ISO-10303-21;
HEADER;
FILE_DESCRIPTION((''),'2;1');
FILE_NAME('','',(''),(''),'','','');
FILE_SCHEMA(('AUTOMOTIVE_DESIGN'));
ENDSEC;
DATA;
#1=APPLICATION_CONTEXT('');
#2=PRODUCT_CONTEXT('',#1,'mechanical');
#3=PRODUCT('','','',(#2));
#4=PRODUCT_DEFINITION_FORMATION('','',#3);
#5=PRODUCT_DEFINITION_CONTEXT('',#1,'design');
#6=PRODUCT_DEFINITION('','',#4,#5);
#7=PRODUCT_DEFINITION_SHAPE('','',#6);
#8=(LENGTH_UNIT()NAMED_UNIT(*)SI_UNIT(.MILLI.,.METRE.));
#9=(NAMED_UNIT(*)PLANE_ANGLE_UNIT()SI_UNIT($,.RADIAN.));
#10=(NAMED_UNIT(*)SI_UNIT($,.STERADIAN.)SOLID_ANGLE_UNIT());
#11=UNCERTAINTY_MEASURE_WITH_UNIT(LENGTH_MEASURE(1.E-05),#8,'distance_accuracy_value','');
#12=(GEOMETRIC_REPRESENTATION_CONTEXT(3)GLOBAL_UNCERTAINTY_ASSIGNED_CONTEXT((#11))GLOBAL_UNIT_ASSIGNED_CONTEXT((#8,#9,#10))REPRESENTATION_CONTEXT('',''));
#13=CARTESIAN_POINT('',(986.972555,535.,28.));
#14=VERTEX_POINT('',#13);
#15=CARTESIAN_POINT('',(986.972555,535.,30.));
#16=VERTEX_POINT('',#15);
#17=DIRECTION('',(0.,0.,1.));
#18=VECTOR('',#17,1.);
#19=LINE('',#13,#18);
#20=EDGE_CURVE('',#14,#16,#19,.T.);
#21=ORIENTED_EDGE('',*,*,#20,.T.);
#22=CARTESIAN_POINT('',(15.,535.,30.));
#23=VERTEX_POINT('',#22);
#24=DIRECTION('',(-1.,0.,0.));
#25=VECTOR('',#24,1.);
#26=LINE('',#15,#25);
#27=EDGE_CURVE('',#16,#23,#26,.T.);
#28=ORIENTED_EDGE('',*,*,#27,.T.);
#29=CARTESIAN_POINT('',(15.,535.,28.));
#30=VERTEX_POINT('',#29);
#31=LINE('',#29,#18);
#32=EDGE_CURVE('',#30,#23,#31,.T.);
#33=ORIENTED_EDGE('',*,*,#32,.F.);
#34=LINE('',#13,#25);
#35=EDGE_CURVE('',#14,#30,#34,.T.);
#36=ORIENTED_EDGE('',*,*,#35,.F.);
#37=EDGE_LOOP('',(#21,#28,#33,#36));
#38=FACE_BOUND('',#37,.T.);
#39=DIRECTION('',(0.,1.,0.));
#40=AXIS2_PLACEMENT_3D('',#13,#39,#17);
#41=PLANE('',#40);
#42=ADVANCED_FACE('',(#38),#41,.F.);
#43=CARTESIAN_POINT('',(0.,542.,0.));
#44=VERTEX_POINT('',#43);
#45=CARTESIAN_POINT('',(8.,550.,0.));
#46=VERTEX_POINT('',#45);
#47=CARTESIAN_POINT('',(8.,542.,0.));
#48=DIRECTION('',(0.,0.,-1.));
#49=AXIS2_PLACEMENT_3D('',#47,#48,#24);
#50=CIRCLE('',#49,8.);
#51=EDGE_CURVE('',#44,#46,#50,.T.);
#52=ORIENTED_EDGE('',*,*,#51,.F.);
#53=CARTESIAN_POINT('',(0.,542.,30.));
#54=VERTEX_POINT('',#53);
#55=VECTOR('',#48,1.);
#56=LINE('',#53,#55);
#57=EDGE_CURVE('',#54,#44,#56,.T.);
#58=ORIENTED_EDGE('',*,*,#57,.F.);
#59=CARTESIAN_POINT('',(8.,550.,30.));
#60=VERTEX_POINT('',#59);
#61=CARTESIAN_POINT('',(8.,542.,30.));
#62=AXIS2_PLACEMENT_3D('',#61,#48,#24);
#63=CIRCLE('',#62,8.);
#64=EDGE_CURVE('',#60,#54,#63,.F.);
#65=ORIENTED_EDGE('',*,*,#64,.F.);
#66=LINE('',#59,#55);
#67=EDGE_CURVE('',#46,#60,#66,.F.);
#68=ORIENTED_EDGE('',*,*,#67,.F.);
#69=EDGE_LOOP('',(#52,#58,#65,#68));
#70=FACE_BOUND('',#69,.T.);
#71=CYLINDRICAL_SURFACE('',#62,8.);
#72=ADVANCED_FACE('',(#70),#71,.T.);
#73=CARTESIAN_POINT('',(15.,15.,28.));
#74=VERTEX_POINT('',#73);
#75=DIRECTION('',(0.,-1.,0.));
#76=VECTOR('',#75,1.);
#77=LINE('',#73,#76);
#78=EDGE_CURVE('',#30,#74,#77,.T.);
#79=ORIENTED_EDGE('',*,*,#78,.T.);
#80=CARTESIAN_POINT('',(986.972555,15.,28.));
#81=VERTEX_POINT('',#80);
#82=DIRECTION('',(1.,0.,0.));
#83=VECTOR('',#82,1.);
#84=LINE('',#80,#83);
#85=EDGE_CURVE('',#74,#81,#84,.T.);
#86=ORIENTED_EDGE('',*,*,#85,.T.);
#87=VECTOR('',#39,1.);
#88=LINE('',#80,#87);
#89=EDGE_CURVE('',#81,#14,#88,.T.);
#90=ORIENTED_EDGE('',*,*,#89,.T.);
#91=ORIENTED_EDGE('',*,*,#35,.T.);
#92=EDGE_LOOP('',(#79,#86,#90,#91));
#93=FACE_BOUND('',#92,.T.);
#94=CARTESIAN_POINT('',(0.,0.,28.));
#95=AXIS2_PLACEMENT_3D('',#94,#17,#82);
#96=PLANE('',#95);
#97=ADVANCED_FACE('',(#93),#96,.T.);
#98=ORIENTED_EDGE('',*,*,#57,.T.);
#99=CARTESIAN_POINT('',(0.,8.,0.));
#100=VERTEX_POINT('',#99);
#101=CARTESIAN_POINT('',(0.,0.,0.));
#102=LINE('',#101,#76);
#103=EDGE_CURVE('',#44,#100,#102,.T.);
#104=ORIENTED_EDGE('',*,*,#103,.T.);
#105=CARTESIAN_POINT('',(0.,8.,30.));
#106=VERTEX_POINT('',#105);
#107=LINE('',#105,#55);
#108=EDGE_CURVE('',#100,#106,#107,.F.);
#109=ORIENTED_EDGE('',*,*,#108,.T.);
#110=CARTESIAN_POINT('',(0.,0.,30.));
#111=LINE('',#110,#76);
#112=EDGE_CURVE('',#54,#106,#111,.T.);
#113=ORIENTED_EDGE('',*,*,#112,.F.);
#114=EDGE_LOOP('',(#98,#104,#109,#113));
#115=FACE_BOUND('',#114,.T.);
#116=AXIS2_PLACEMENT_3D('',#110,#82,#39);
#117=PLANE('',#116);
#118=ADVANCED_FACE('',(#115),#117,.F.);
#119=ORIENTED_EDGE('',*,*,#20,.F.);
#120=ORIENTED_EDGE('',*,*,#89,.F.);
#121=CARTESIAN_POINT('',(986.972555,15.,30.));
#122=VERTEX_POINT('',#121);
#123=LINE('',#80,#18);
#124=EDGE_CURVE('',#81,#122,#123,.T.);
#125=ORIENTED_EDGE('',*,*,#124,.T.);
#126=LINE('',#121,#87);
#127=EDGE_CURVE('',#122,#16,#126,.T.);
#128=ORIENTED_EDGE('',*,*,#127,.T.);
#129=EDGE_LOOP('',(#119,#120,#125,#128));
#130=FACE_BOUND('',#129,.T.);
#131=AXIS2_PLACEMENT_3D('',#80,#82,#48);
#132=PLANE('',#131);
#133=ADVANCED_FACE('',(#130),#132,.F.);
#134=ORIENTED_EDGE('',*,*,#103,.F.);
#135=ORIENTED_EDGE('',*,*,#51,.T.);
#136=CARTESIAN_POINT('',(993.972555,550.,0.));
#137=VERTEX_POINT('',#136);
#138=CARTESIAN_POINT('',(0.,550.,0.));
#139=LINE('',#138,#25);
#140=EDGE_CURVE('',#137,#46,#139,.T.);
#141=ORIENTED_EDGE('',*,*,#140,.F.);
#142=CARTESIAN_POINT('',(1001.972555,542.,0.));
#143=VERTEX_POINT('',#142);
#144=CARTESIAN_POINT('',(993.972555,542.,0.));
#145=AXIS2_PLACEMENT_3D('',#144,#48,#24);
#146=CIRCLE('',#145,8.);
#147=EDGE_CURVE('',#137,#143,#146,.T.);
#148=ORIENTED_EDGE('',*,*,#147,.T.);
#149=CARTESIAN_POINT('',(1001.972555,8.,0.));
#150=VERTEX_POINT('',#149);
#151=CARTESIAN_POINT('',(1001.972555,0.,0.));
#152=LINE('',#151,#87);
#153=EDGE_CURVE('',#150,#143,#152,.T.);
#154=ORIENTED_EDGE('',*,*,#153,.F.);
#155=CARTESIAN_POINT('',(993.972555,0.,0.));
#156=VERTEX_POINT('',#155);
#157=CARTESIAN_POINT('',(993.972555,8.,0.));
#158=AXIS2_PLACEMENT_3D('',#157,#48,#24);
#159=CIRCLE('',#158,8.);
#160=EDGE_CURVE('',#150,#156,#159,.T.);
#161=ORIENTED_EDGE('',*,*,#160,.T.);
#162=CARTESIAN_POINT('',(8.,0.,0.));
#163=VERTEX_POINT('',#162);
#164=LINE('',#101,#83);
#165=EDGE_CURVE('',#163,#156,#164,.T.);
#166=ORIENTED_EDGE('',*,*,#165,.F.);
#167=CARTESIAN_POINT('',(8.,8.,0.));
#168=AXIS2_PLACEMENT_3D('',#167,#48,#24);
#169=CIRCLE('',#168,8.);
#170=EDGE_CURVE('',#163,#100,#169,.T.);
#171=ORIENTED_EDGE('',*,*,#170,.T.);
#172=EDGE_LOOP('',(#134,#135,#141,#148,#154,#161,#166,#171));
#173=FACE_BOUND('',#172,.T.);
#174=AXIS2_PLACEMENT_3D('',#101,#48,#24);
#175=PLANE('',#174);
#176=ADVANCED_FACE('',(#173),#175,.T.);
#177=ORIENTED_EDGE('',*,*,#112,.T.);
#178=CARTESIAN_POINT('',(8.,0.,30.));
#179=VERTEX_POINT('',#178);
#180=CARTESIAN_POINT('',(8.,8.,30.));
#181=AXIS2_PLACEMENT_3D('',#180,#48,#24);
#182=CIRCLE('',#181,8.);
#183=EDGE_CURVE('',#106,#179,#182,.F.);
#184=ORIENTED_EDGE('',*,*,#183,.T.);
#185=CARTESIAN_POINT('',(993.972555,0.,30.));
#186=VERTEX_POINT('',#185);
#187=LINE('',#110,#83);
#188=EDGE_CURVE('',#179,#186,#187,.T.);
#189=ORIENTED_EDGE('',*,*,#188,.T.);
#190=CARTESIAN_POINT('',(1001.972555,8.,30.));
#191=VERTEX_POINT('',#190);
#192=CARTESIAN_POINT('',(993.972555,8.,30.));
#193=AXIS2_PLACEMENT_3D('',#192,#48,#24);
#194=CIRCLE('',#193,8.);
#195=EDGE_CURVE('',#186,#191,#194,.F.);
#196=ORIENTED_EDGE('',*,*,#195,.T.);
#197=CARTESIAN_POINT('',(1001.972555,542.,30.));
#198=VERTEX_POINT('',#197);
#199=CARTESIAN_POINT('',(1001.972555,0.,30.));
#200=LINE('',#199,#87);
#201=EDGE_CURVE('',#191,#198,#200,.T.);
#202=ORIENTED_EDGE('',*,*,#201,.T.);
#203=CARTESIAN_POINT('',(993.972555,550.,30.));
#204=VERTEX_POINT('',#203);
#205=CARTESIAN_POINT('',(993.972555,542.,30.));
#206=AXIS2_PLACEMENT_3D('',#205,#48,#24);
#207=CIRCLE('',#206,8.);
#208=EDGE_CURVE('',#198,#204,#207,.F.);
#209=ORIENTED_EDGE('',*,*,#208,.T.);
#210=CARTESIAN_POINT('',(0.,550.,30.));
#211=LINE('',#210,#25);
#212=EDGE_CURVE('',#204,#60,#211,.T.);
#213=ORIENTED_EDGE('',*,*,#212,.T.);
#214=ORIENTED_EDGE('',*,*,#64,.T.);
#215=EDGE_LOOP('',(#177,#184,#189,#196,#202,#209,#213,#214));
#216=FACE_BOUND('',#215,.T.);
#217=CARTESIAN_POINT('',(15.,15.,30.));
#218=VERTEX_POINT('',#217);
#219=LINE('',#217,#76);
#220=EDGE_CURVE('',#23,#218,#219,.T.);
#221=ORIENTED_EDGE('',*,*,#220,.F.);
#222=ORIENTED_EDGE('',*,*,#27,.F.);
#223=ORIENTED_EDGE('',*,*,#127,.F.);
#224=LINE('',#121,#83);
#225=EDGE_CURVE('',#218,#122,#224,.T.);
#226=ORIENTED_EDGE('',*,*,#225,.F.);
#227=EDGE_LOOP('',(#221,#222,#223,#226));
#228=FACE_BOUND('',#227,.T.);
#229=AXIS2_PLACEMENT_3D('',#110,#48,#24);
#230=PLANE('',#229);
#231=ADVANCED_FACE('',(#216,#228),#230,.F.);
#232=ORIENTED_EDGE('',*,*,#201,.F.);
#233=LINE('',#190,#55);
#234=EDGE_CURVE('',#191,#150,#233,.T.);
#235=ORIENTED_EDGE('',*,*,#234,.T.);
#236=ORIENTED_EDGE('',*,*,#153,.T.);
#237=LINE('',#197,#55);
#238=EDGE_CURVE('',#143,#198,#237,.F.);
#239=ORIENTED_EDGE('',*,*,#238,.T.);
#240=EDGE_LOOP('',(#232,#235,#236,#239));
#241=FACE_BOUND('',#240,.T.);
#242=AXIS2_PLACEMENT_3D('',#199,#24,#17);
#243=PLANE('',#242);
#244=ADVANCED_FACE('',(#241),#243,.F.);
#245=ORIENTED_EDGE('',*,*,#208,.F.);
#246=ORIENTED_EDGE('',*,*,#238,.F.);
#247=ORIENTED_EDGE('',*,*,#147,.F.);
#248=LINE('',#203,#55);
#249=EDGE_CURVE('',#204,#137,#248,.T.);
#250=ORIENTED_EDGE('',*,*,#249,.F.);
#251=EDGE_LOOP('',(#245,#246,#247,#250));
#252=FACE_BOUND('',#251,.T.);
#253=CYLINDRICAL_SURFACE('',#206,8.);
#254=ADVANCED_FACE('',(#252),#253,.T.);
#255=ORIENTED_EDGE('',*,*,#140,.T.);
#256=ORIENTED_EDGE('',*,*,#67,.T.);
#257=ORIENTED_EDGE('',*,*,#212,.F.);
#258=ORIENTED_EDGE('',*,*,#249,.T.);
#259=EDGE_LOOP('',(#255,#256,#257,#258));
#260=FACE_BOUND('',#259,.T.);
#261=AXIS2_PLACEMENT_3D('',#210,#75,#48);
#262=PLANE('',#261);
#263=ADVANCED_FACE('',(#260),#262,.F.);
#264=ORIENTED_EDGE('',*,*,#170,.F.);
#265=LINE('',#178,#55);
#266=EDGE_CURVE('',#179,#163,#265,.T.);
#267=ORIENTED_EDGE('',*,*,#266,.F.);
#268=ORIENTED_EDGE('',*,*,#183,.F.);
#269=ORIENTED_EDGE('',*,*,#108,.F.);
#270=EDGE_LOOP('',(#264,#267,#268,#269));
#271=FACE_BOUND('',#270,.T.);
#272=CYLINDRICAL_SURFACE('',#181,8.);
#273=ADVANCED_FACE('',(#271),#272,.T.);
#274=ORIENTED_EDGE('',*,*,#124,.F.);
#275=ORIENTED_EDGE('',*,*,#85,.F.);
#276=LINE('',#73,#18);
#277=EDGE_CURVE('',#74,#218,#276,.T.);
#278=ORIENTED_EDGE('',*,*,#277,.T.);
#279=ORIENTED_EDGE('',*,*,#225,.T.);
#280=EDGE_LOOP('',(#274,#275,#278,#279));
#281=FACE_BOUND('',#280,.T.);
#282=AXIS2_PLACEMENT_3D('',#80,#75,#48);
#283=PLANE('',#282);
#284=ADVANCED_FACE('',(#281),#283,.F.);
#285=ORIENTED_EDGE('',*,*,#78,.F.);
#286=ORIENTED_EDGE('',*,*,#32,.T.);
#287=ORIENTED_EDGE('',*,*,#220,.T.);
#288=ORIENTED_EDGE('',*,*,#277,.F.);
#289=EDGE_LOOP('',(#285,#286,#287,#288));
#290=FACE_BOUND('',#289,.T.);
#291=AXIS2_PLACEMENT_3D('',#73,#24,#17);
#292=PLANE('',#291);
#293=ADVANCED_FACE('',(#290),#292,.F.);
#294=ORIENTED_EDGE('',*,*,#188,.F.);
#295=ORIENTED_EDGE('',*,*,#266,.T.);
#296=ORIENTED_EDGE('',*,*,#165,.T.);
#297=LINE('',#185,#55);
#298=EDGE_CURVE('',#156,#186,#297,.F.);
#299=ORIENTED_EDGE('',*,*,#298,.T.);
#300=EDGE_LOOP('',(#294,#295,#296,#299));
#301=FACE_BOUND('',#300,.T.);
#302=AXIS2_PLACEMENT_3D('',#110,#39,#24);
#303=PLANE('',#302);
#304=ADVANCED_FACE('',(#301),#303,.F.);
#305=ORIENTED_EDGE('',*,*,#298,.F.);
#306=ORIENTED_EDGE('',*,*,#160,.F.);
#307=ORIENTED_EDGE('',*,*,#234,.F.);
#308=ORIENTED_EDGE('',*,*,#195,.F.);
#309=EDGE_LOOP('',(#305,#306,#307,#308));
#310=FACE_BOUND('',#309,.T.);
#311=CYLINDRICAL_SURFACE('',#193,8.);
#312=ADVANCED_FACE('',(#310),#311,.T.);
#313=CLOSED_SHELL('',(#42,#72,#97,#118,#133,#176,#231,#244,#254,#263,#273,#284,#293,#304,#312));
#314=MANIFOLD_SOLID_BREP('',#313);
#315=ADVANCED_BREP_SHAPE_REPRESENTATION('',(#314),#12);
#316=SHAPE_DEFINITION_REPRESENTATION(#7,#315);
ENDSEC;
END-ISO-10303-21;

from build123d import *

# Parameters (mm, degrees)
CROQUIS1_W              = 1001.972554514
CROQUIS1_H              = 550
SALIENTE_EXTRUIR1_DEPTH = 30
CROQUIS2_W              = 971.972554514
CROQUIS2_H              = 520
CORTAR_EXTRUIR1_DEPTH   = 2
REDONDEO1_R             = 8


with BuildPart() as part:
    # Croquis1 → Saliente-Extruir1 (new body)
    with BuildSketch(Plane.XY):
        with Locations((500.986277257, 275)):
            Rectangle(CROQUIS1_W, CROQUIS1_H)
    extrude(amount=SALIENTE_EXTRUIR1_DEPTH)

    # Croquis2 → Cortar-Extruir1 (cut)
    with BuildSketch(Plane.XY.offset(30)):
        with Locations((500.986277257, 275)):
            Rectangle(CROQUIS2_W, CROQUIS2_H)
    extrude(amount=-CORTAR_EXTRUIR1_DEPTH, mode=Mode.SUBTRACT)

    # Redondeo1
    redondeo1_edges = [part.edges().sort_by_distance(p)[0] for p in [
        (0, 550, 15),
        (1001.972554514, 550, 15),
        (1001.972554514, 0, 15),
        (0, 0, 15),
    ]]
    fillet(redondeo1_edges, radius=REDONDEO1_R)


solid = part.part
